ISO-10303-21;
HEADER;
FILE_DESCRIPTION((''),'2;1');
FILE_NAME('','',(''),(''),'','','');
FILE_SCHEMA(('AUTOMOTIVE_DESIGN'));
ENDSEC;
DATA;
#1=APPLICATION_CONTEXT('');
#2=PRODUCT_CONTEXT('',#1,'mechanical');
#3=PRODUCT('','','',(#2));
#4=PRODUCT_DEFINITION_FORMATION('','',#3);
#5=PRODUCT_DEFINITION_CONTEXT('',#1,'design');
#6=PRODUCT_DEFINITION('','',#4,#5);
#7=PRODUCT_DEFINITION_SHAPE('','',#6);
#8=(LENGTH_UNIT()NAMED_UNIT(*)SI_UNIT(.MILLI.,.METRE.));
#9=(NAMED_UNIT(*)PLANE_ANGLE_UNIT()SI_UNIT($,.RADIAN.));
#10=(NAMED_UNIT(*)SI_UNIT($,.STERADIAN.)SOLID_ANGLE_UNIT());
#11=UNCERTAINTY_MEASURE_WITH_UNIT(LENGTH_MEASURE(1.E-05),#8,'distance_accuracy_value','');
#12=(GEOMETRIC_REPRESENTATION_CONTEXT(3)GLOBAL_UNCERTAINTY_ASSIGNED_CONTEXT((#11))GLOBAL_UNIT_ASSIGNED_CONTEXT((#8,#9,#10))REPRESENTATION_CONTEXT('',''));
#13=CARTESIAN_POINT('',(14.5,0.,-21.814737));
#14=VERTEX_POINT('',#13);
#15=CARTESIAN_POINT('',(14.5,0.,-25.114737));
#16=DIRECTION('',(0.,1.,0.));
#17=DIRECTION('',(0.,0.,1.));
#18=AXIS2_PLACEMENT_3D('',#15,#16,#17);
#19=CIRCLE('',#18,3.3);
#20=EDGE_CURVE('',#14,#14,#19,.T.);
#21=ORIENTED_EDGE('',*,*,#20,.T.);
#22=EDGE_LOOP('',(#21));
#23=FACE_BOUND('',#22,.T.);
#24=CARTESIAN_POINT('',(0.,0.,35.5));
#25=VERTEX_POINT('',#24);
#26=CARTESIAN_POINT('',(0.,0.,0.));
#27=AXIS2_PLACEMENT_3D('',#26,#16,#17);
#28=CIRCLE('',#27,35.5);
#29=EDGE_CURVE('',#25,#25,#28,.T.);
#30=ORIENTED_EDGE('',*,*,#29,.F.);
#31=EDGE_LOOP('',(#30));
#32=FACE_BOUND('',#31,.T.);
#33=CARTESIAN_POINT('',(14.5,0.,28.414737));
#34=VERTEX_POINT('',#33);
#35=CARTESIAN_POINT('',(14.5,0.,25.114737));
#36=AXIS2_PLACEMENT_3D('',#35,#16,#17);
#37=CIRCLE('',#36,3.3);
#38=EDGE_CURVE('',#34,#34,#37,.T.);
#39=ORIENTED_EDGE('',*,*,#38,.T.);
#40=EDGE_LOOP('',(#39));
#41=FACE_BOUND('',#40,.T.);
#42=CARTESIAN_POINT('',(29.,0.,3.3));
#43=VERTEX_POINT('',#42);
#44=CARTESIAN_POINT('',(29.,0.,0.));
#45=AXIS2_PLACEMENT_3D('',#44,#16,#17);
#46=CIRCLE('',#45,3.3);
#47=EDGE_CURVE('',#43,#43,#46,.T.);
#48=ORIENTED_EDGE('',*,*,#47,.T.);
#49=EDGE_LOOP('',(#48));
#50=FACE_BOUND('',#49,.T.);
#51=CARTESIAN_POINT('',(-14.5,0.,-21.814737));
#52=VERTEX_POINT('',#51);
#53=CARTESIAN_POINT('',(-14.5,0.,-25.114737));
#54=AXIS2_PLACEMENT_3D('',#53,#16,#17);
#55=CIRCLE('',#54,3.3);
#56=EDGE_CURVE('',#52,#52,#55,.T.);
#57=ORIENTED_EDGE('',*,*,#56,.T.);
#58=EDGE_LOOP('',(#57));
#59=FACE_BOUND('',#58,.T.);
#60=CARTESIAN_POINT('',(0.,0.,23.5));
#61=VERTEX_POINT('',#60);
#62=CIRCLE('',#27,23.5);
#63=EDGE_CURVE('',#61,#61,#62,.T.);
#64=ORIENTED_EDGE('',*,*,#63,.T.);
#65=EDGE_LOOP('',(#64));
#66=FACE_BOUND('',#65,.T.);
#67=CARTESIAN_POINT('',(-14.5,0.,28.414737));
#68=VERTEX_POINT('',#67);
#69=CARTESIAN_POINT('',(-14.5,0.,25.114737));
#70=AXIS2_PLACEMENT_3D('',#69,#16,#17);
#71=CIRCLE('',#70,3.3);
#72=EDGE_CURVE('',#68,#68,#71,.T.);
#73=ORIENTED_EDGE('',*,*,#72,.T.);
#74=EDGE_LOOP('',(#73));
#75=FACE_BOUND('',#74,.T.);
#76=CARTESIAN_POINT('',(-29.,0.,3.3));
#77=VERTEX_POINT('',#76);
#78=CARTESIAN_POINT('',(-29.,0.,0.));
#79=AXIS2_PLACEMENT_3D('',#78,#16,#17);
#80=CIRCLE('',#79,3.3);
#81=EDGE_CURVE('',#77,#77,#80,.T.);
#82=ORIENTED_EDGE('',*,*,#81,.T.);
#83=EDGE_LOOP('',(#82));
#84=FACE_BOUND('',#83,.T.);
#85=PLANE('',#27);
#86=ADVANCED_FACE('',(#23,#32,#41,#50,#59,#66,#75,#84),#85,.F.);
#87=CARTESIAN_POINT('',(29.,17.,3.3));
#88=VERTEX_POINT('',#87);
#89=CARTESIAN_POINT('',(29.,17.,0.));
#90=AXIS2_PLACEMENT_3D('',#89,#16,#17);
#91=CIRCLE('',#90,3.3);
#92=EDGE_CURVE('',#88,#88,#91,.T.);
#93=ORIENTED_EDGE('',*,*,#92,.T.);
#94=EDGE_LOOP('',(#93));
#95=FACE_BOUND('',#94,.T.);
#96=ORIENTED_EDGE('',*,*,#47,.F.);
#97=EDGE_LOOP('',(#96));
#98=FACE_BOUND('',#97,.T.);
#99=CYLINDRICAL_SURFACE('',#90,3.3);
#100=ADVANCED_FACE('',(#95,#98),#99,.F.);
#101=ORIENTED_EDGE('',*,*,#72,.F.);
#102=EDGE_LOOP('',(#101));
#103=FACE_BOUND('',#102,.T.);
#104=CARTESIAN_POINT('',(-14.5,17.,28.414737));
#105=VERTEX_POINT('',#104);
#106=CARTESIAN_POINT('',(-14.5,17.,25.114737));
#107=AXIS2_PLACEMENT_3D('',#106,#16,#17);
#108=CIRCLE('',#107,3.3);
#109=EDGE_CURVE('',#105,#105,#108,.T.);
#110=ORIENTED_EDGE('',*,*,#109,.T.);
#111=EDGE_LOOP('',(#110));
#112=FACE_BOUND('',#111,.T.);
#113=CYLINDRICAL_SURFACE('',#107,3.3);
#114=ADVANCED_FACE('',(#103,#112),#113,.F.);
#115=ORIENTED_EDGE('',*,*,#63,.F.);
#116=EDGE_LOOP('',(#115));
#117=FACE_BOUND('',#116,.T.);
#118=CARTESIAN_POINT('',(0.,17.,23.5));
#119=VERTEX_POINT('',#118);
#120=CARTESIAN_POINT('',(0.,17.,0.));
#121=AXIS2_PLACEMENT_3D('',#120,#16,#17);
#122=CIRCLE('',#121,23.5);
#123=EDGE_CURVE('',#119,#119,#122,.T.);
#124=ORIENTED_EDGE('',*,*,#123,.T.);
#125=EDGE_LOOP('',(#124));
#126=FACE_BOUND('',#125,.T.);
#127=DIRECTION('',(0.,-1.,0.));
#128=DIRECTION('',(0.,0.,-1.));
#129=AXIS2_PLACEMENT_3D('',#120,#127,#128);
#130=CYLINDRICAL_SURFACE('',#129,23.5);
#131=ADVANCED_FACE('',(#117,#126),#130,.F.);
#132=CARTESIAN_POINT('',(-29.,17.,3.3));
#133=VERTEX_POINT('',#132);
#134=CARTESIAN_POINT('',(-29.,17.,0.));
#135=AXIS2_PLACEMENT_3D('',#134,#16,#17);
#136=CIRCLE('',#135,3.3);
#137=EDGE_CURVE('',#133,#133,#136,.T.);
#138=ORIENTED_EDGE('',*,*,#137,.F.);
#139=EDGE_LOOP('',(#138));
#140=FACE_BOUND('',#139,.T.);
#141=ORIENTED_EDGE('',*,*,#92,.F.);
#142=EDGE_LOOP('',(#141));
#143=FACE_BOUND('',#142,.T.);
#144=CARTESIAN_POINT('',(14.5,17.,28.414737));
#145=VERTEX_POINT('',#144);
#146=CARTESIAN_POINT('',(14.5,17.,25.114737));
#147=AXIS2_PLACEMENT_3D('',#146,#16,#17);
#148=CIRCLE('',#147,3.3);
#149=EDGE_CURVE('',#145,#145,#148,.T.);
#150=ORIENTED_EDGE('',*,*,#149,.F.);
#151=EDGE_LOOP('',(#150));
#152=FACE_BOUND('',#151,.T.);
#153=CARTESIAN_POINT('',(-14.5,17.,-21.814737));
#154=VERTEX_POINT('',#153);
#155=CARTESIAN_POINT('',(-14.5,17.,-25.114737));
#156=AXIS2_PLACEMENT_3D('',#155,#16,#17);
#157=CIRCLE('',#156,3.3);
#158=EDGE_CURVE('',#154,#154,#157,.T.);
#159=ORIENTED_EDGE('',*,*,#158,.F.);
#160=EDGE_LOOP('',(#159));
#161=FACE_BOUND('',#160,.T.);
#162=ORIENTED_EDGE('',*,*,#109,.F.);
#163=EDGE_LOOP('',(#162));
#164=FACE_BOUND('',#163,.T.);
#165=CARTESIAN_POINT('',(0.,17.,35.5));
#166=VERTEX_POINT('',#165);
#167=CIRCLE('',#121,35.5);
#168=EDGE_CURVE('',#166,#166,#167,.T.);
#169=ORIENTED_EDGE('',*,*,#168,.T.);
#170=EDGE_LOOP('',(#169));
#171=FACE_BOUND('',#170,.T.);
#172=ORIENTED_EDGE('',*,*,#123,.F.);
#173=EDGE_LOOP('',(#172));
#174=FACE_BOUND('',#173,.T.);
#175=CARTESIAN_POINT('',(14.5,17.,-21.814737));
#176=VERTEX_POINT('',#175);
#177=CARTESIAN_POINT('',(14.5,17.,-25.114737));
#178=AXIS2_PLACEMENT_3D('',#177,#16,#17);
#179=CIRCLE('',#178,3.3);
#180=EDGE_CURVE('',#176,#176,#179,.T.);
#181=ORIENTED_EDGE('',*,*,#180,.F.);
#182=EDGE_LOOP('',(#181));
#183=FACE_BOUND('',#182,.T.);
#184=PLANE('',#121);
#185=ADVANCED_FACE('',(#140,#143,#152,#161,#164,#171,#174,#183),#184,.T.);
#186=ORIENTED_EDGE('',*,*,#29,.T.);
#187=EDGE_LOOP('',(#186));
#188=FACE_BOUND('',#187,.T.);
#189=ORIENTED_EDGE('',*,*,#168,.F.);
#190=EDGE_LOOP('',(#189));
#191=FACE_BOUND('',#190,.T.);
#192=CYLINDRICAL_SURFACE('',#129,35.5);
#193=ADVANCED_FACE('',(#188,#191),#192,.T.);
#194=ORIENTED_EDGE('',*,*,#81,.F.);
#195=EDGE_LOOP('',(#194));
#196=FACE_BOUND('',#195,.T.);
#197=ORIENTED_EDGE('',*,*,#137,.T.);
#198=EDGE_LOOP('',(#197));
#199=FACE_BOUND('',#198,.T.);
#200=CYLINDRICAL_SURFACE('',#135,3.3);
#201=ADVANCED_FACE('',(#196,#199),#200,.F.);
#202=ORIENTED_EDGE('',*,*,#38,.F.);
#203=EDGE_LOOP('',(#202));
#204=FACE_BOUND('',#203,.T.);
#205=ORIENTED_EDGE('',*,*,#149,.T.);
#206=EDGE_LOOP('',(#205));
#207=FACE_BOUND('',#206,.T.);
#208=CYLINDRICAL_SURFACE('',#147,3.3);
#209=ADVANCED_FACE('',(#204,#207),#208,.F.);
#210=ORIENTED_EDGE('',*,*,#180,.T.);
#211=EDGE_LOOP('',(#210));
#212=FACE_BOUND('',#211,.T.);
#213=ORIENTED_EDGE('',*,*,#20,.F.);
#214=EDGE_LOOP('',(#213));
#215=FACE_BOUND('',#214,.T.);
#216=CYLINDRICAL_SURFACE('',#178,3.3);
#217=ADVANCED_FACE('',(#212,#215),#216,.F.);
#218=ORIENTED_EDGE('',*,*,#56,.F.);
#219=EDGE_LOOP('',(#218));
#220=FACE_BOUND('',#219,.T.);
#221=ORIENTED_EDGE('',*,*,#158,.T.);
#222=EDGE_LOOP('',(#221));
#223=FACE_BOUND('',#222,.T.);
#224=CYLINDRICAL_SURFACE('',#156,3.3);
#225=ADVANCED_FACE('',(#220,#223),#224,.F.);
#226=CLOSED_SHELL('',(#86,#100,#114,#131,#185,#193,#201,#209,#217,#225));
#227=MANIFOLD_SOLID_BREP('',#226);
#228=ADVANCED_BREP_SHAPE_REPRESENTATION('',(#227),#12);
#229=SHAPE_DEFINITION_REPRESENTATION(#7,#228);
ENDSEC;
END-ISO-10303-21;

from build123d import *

# Parameters (mm, degrees)
SKETCH1_R                = 35.5
SKETCH1_R_2              = 23.5
BOSS_EXTRUDE1_DEPTH      = 17
M6_CLEARANCE_HOLE1_D     = 6.6
M6_CLEARANCE_HOLE1_DEPTH = 17
CIRPATTERN1_COUNT        = 6


with BuildPart() as part:
    # Sketch1 → Boss-Extrude1 (new body)
    with BuildSketch(Plane(origin=(0, 0, 0), x_dir=(1, 0, 0), z_dir=(0, 1, 0))):
        Circle(SKETCH1_R)
        Circle(SKETCH1_R_2, mode=Mode.SUBTRACT)
    extrude(amount=BOSS_EXTRUDE1_DEPTH)

    # M6 Clearance Hole1
    with Locations(Plane(origin=(-29, 17, 0), x_dir=(0, 0, 1), z_dir=(0, 1, 0))):
        with Locations((0, 0)):
            m6_clearance_hole1 = Hole(M6_CLEARANCE_HOLE1_D / 2, depth=M6_CLEARANCE_HOLE1_DEPTH)

    # CirPattern1: M6 Clearance Hole1 ×6 about axis
    cirpattern1_axis = Axis((0, 0, 0), (0, 1, 0))
    for i in range(1, CIRPATTERN1_COUNT):
        add(m6_clearance_hole1.rotate(cirpattern1_axis, i * 360 / CIRPATTERN1_COUNT), mode=Mode.SUBTRACT)


solid = part.part
